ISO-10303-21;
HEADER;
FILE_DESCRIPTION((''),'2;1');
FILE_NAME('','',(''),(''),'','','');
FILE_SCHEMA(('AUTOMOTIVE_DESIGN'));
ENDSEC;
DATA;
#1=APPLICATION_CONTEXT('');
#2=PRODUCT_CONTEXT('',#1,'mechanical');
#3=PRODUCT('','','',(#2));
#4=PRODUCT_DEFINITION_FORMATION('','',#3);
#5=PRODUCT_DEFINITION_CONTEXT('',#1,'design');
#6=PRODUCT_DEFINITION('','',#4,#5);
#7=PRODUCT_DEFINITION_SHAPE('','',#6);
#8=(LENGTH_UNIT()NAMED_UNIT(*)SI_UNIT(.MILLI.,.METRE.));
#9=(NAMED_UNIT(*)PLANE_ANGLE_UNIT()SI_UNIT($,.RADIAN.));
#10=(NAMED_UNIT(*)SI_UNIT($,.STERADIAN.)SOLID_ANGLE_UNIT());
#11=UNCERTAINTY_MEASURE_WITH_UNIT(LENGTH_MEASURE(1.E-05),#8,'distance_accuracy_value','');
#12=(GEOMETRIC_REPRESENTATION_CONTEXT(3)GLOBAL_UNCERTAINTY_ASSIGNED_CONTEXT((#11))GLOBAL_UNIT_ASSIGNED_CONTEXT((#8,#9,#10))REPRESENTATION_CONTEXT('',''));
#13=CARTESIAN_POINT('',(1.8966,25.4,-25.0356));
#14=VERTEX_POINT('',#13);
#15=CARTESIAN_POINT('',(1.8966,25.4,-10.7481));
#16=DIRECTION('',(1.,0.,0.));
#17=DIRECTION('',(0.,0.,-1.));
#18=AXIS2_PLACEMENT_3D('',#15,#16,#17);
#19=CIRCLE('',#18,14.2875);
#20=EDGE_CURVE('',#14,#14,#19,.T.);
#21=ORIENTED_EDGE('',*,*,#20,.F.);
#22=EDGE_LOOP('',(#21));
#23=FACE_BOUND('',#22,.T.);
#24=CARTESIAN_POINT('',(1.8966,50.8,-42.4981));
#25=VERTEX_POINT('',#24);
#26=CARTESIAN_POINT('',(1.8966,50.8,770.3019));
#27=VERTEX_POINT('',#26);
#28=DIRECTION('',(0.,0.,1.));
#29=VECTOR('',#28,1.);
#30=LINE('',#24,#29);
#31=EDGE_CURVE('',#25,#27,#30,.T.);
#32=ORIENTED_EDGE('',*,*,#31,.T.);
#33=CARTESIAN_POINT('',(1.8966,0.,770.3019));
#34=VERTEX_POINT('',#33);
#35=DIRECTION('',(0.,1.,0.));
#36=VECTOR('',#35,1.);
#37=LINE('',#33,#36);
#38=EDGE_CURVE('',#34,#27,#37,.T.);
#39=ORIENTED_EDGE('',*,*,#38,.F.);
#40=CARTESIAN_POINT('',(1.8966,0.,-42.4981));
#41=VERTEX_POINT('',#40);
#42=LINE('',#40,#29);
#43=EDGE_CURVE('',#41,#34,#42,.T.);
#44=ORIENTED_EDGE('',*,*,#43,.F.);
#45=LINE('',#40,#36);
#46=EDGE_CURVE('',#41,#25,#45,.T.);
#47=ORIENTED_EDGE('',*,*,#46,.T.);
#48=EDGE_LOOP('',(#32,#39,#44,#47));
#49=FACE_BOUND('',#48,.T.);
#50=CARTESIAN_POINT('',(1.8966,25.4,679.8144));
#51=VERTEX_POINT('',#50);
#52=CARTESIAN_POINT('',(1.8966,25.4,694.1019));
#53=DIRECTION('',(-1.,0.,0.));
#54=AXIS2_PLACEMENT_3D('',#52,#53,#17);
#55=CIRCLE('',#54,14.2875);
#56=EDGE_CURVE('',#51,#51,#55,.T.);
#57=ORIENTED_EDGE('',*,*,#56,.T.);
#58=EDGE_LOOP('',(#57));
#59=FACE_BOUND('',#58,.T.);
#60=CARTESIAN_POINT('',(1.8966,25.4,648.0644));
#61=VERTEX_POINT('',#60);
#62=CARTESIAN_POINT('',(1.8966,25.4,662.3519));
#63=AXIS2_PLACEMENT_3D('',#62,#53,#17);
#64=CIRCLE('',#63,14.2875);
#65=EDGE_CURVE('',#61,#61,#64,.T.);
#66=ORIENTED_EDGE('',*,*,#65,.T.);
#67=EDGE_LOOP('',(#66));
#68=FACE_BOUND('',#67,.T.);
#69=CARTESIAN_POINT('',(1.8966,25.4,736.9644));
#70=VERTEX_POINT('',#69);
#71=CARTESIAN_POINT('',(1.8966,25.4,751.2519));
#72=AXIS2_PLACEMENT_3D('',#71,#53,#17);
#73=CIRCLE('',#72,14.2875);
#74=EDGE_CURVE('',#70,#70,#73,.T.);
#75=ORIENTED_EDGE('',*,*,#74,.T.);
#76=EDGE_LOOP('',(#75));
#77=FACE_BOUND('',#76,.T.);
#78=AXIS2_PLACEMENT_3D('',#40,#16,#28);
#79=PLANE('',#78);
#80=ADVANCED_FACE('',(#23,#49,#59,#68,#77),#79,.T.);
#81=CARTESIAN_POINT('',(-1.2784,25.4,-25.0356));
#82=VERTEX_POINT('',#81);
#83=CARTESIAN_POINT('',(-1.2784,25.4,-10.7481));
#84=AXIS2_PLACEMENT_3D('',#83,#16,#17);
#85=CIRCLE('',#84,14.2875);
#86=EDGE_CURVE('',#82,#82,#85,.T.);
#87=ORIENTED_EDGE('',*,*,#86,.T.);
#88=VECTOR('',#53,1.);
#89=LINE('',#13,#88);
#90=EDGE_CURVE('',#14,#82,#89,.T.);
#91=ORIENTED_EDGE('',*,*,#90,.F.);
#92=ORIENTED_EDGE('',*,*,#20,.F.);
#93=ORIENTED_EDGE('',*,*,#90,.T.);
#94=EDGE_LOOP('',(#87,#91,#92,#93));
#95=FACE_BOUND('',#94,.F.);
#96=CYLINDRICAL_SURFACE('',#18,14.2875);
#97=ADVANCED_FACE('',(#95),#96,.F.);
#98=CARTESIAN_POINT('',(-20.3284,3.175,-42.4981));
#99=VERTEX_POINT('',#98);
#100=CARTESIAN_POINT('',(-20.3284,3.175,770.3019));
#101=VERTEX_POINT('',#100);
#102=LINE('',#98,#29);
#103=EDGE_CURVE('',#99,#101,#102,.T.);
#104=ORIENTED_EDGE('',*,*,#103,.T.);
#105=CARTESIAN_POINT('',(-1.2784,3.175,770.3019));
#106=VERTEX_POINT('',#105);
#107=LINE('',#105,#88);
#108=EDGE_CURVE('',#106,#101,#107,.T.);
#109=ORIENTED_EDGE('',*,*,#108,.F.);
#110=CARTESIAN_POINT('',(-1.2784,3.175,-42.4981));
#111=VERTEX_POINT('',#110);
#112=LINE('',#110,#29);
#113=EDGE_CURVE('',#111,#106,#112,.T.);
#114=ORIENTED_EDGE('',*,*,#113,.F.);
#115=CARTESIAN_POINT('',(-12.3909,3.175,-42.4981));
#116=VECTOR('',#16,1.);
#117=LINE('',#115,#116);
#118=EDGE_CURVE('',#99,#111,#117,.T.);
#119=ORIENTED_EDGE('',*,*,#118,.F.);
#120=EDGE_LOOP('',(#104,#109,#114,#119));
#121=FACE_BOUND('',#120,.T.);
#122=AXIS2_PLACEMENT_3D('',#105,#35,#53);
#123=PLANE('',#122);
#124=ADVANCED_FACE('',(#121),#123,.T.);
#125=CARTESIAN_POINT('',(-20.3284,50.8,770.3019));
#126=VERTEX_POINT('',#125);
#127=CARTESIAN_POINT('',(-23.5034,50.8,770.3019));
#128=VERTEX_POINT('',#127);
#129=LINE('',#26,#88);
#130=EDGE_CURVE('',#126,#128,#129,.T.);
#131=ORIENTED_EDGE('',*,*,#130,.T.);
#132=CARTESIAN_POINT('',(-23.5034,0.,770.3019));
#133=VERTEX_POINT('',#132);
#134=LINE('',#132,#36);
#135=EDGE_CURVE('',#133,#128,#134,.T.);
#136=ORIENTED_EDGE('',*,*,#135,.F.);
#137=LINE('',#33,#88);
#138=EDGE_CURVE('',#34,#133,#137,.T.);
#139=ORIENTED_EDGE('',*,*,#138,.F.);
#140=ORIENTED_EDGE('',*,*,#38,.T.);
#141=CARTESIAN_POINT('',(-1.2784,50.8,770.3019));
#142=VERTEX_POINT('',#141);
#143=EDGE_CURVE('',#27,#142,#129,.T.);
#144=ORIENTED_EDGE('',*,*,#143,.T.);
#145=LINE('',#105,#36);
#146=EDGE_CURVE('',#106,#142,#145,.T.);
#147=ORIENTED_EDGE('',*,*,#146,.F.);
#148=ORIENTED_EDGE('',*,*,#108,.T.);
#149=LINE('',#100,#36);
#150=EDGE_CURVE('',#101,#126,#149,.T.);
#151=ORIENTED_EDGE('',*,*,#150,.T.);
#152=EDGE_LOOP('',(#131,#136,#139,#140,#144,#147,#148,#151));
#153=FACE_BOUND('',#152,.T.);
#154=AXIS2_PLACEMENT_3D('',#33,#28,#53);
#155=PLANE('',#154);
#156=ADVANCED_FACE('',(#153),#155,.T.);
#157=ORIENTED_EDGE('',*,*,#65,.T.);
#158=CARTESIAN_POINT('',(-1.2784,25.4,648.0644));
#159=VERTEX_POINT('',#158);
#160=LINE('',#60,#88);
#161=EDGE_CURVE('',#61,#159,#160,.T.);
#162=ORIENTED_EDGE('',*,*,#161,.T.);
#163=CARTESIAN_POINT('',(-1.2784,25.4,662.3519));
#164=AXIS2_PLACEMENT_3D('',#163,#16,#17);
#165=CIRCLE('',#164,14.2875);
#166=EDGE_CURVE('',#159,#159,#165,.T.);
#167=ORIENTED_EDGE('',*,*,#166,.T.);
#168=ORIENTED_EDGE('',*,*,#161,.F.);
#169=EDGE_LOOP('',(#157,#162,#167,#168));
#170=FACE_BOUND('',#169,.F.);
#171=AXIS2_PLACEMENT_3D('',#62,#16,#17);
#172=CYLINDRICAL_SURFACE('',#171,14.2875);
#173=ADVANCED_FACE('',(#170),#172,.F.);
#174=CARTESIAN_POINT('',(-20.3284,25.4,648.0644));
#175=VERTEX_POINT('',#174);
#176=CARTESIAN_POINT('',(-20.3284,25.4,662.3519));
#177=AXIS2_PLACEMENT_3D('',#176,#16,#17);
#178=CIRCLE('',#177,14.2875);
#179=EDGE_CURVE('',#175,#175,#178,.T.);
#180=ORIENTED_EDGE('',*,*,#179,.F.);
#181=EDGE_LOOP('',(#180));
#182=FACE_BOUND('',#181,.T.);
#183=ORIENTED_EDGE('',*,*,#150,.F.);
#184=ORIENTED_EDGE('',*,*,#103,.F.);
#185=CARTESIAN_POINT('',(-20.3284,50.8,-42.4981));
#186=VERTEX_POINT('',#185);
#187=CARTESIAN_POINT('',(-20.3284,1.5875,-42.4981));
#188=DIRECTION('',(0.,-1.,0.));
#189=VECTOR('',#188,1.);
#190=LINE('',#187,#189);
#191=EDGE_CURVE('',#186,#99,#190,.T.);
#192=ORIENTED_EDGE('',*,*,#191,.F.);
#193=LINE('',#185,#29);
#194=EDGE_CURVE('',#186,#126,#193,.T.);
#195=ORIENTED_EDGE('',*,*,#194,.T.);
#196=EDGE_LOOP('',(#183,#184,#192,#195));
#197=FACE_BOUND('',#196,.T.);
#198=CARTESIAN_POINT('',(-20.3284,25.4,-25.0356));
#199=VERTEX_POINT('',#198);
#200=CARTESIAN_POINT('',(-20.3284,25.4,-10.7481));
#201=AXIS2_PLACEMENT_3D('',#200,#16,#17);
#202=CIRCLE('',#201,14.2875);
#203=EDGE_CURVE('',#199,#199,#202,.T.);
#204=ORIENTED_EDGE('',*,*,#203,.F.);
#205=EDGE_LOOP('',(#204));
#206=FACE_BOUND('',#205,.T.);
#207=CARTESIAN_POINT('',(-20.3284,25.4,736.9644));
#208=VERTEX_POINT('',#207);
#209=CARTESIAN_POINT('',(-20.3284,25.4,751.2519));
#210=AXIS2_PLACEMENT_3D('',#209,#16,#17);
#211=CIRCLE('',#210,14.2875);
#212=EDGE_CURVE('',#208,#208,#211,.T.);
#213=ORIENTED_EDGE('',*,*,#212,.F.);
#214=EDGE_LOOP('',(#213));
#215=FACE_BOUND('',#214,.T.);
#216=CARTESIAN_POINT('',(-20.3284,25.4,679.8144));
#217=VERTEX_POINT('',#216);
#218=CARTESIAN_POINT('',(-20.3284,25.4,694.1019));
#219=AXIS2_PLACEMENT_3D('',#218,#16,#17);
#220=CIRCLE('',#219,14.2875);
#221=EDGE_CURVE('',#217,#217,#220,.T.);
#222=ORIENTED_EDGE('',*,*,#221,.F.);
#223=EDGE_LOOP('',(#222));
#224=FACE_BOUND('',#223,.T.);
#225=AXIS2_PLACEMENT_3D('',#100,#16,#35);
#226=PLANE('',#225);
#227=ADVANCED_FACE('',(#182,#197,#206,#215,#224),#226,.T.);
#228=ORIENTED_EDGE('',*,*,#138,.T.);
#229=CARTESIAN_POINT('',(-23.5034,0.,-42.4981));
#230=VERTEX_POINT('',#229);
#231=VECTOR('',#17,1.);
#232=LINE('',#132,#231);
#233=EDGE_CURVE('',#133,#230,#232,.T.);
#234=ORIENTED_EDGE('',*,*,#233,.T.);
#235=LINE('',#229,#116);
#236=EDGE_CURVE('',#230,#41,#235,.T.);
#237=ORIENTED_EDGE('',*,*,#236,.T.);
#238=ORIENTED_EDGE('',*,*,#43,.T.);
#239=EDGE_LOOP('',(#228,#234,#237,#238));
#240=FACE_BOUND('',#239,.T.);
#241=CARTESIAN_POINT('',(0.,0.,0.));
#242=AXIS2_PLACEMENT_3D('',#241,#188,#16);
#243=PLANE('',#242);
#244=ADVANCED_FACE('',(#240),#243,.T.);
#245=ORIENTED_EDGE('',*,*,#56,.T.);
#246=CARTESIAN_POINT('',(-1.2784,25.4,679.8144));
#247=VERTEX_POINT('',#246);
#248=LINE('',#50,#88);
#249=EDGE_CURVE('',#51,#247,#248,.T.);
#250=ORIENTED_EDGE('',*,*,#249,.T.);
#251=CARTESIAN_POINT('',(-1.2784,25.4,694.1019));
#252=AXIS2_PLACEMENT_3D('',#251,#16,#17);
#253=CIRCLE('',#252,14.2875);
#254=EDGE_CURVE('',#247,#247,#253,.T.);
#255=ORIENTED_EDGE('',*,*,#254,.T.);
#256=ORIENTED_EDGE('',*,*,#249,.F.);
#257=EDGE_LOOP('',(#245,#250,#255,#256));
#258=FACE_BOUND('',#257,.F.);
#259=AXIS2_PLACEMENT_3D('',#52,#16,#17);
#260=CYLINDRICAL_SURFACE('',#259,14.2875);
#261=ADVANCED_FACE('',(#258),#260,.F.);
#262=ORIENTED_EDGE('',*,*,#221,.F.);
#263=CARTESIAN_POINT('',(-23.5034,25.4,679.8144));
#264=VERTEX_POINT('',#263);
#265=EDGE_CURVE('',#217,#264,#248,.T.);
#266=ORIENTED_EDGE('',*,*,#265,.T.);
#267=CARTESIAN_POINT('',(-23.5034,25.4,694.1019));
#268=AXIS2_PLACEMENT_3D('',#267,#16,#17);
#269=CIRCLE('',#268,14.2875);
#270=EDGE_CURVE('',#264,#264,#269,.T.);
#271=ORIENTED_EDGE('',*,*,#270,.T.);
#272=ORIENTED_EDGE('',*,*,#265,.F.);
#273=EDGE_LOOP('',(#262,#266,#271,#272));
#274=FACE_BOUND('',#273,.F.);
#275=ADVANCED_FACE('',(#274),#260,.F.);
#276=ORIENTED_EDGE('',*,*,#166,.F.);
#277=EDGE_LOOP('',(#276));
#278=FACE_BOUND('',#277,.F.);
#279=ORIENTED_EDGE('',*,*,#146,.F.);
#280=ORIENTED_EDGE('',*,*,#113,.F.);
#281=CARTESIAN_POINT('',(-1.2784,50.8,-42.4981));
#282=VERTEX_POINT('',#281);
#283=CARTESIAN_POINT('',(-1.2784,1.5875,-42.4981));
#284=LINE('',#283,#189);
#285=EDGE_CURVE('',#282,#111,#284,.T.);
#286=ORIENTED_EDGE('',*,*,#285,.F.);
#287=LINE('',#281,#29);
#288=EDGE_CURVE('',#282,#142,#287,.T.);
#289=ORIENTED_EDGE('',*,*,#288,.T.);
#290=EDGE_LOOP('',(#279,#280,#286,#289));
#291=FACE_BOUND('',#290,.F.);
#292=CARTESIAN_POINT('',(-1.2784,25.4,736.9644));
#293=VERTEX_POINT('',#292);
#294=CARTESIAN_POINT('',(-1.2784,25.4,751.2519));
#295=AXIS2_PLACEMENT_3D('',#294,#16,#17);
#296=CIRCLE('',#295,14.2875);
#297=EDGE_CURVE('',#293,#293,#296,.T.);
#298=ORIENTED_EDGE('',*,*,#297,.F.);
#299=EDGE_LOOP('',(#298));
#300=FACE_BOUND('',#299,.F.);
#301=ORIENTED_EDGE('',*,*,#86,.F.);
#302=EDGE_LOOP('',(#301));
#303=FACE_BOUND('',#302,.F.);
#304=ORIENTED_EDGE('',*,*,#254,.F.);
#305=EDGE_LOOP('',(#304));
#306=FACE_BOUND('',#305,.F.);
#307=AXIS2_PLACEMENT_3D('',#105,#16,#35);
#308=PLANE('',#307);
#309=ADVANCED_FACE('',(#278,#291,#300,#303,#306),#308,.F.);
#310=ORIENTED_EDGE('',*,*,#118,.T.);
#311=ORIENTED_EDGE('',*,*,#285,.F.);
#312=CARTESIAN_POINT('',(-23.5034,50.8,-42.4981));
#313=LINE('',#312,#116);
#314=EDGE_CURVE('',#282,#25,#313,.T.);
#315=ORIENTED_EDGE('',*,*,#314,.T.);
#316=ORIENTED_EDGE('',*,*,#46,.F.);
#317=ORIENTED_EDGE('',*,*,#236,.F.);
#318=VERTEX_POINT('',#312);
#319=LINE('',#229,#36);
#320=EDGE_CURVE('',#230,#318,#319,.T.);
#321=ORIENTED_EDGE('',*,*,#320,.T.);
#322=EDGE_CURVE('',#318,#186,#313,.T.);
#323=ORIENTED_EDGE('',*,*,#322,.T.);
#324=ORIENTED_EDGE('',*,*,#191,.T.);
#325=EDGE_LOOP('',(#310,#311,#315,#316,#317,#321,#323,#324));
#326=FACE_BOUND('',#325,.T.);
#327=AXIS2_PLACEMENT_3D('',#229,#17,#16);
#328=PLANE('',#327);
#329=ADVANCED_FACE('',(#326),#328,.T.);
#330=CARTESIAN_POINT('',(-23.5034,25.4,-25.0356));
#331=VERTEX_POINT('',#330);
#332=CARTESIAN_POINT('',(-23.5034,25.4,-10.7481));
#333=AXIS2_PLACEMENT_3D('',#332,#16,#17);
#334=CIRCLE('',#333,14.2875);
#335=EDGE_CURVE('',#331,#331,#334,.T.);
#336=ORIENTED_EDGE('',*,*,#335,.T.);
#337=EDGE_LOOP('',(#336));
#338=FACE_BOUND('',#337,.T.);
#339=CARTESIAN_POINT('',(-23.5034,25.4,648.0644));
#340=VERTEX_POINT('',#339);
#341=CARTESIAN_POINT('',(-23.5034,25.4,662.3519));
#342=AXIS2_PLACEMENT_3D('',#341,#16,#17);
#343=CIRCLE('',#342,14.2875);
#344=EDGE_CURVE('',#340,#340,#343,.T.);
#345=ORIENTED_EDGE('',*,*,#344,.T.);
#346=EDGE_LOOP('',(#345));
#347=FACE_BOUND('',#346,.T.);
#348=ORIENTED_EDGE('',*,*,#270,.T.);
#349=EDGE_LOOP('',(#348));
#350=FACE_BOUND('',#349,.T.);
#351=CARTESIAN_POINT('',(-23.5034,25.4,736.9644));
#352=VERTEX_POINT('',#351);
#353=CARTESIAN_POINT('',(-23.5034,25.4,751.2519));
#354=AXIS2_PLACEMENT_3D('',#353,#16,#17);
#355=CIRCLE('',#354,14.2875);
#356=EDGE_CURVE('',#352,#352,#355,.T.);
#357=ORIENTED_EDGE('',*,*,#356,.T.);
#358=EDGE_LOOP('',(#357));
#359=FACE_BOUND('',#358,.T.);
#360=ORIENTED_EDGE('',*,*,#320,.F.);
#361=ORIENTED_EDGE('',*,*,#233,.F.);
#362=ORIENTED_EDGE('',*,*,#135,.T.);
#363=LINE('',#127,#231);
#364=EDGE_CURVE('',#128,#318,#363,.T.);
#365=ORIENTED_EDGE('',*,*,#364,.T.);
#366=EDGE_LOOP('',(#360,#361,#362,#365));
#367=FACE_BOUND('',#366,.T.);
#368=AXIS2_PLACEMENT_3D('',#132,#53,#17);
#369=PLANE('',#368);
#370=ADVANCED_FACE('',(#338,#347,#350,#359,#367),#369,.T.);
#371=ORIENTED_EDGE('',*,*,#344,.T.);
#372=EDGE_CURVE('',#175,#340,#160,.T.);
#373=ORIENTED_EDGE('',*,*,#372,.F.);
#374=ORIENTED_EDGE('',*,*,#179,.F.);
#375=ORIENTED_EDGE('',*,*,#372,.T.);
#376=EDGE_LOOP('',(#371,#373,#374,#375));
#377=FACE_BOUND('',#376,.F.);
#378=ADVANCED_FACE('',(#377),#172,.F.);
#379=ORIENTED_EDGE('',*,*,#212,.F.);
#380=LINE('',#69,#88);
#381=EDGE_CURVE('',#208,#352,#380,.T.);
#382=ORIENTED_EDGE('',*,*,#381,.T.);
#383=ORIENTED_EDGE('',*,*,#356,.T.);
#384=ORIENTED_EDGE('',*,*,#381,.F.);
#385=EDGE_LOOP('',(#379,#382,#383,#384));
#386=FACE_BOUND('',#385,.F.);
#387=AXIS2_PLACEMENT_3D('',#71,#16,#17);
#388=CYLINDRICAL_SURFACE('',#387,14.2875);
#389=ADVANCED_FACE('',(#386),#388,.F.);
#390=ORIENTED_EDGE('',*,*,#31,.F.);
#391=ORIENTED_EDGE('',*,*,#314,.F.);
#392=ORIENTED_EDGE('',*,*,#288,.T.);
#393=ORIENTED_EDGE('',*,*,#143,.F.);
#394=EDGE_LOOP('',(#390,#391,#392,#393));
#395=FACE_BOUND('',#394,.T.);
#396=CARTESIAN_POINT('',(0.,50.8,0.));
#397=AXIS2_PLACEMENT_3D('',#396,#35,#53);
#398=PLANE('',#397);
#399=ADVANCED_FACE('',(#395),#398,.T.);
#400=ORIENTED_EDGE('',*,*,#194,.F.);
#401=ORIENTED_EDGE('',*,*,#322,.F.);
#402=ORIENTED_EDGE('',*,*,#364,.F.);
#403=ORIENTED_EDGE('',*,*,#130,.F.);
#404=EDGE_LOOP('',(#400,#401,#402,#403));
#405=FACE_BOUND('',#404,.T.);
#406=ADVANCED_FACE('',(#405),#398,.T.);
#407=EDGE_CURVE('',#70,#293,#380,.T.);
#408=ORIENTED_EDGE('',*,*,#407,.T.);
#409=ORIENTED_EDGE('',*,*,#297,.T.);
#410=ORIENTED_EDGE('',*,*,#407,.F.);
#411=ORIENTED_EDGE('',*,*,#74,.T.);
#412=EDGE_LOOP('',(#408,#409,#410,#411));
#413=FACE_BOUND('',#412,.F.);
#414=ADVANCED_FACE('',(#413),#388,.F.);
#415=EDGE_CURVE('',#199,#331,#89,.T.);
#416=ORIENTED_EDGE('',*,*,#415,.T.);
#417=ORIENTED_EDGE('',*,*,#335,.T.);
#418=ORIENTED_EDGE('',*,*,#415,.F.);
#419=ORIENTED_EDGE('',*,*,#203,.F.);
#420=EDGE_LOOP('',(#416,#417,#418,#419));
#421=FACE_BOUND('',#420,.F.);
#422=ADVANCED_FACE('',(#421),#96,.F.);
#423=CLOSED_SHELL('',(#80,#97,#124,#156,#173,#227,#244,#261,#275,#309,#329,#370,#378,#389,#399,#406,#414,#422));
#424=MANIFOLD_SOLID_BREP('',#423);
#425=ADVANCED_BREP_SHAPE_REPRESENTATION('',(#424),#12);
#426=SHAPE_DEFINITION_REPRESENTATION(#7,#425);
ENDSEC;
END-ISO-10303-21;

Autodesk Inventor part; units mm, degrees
ref_plane "YZ Plane" through (0, 0, 0) normal (1, 0, 0) x (0, 1, 0)
ref_plane "XZ Plane" through (0, 0, 0) normal (0, 1, 0) x (-1, 0, 0)
ref_plane "XY Plane" through (0, 0, 0) normal (0, 0, 1) x (1, 0, 0)
sketch "Sketch1" plane through (0, 0, 0) normal (0, 1, 0) x (-1, 0, 0)
  line L0 (23.5034, -42.4981) -> (-1.8966, -42.4981)
  line L1 (-1.8966, -42.4981) -> (-1.8966, 770.3019)
  line L2 (-1.8966, 770.3019) -> (23.5034, 770.3019)
  line L3 (23.5034, 770.3019) -> (23.5034, -42.4981)
  line L4 (20.3284, -39.3231) -> (1.2784, -39.3231)
  line L5 (1.2784, -39.3231) -> (1.2784, 767.1269)
  line L6 (1.2784, 767.1269) -> (20.3284, 767.1269)
  line L7 (20.3284, 767.1269) -> (20.3284, -39.3231)
  point P0 (0, 0)
  dimension "d0" = 25.4
  dimension "d1" = 812.8
  dimension "d2" = 3.175
ref_plane "Work Plane3" through (0, 0, 0) normal (0, -1, 0) x (1, 0, 0)
sketch "Sketch2" plane through (0, 0, 0) normal (0, -1, 0) x (1, 0, 0)
  line L0 (-1.2784, -39.3231) -> (-20.3284, -39.3231) projected
  line L1 (-20.3284, -39.3231) -> (-20.3284, 767.1269) projected
  line L2 (-1.2784, -39.3231) -> (-20.3284, -39.3231)
  line L3 (-20.3284, -39.3231) -> (-20.3284, 767.1269)
  line L4 (-20.3284, 767.1269) -> (-1.2784, 767.1269)
  line L5 (-1.2784, 767.1269) -> (-1.2784, -39.3231)
  point P0 (0, 0)
extrude "Extrusion3" add sketch "Sketch2" against normal blind 3.175
extrude "Extrusion5" add sketch "Sketch1" along normal blind 50.8
sketch "Sketch4" plane through (-23.5034, 0, 770.3019) normal (0, 0, 1) x (1, 0, 0)
  line L0 (0, 50.8) -> (25.4, 50.8) projected
  line L1 (0, 50.8) -> (3.175, 50.8)
  line L2 (3.175, 50.8) -> (25.4, 50.8)
  line L3 (25.4, 50.8) -> (22.225, 50.8)
  line L4 (22.225, 3.175) -> (22.225, 50.8) projected
  line L5 (3.175, 50.8) -> (22.225, 50.8)
  line L6 (22.225, 50.8) -> (22.225, 3.175)
  line L7 (22.225, 3.175) -> (3.175, 3.175)
  line L8 (3.175, 3.175) -> (3.175, 50.8)
  point P0 (23.5034, 0)
  point P1 (22.225, 0)
  dimension "d13" = 3.175
  dimension "d14" = 3.175
extrude "Extrusion6" cut sketch "Sketch4" against normal blind 1016
sketch "Sketch5" plane through (1.8966, 0, 770.3019) normal (1, 0, 0) x (0, 0, -1)
  line L0 (0, 0) -> (19.05, 0)
  line L1 (19.05, 0) -> (19.05, 25.4)
  line L2 (19.05, 25.4) -> (0, 25.4)
  line L3 (0, 25.4) -> (0, 0)
  circle A0 centre (19.05, 25.4) radius 14.2875
  line L4 (19.05, 25.4) -> (76.2, 25.4)
  circle A1 centre (76.2, 25.4) radius 14.2875
  line L5 (76.2, 25.4) -> (107.95, 25.4)
  circle A2 centre (107.95, 25.4) radius 14.2875
  point P0 (770.3019, 0)
  dimension "d17" = 19.05
  dimension "d18" = 25.4
  dimension "d19" = 28.575
  dimension "d22" = 57.15
  dimension "d23" = 28.575
  dimension "d26" = 31.75
  dimension "d27" = 28.575
extrude "Extrusion10" cut sketch "Sketch5" against normal blind 50.8 contours A2 | A1 L5 L4 | L4 L5 A1 | A0 L2 L1 | L1 L4 A0 | A0 L4 L2
sketch "Sketch6" plane through (1.8966, 0, 770.3019) normal (1, 0, 0) x (0, 0, -1)
  line L0 (812.8, 0) -> (812.8, 50.8) projected
  line L1 (812.8, 25.4) -> (781.05, 25.4)
  circle A0 centre (781.05, 25.4) radius 14.2875
  point P0 (770.3019, 0)
  dimension "d32" = 31.75
  dimension "d33" = 28.575
extrude "Extrusion11" cut sketch "Sketch6" against normal blind 76.2
properties part number "36in Aluminum Channel"
